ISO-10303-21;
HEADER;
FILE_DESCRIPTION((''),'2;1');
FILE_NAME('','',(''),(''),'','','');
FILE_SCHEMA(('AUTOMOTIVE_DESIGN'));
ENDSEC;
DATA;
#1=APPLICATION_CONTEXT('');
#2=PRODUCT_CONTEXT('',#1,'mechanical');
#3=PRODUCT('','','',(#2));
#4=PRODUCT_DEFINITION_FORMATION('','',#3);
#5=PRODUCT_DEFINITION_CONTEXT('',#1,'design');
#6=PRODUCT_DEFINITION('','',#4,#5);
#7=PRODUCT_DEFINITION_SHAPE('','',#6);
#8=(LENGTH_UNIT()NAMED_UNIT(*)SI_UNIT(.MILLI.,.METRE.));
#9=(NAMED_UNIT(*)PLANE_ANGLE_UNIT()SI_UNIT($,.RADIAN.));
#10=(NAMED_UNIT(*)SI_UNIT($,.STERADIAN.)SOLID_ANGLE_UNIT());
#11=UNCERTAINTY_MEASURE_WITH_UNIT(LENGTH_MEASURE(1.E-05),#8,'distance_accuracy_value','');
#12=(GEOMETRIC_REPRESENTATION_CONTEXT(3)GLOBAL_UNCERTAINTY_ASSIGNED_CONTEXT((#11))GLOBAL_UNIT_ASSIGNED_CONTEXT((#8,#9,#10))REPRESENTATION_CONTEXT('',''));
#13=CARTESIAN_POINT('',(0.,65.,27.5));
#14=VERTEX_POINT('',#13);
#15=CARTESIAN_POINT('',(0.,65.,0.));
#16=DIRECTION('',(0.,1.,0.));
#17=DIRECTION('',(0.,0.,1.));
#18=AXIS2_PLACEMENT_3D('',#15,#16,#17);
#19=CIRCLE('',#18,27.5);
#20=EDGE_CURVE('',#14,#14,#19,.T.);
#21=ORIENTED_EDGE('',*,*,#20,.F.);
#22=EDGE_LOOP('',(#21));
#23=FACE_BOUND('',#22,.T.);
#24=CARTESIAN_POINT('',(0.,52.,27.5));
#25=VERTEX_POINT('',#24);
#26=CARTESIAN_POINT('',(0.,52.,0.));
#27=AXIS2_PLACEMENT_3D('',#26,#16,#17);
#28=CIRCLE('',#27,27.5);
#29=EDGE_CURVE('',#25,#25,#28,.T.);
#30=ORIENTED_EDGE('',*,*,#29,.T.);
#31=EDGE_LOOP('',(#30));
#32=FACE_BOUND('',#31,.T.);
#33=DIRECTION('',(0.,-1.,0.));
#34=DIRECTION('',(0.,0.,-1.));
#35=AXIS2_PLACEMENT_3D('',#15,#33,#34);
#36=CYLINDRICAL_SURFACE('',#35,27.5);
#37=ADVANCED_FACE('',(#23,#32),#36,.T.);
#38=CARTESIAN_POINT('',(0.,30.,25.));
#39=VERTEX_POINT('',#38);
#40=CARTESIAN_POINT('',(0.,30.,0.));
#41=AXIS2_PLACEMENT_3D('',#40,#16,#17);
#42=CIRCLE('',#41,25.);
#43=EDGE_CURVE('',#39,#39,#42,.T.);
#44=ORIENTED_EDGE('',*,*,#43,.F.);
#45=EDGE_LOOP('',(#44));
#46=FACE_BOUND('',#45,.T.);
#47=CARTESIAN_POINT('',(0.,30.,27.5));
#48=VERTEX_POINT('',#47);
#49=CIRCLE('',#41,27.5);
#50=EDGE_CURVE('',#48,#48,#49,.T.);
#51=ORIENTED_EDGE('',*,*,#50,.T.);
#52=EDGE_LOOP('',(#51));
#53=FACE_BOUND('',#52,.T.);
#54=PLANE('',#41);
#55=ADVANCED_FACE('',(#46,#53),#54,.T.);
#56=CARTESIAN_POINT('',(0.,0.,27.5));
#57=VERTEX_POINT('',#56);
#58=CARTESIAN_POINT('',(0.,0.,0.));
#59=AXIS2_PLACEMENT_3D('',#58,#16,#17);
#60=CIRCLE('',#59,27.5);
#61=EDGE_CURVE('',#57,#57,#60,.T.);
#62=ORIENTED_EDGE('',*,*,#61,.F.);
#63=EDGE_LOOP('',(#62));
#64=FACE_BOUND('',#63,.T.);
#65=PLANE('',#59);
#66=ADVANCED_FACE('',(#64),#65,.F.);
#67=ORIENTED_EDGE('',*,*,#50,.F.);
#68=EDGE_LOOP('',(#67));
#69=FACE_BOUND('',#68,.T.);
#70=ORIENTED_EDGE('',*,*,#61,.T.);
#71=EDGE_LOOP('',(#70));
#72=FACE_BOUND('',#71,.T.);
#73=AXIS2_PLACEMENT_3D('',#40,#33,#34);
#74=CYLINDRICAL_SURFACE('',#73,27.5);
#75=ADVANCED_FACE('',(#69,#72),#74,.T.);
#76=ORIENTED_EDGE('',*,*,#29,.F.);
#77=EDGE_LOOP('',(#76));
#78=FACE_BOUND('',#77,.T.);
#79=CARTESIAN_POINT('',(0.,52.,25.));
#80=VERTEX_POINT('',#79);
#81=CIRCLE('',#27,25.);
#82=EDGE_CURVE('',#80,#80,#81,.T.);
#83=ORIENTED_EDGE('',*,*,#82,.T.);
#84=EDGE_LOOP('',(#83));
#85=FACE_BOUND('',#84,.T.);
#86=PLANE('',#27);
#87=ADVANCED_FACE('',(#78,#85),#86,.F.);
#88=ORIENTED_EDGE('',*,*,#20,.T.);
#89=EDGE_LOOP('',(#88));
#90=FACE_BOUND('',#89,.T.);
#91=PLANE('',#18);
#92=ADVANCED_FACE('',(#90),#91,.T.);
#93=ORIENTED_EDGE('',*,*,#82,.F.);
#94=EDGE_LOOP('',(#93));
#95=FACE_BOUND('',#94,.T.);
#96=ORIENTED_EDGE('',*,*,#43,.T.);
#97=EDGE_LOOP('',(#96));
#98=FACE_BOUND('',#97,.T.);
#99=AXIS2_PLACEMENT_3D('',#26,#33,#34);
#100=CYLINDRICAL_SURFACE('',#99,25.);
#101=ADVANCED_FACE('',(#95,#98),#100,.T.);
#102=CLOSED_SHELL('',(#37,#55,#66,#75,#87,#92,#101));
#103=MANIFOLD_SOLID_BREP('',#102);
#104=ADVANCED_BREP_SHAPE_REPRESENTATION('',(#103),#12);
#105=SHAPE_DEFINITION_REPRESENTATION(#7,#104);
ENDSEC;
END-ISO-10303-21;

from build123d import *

# Parameters (mm, degrees)
SKETCH_1_R      = 27.5
EXTRUDE_1_DEPTH = 30
SKETCH_2_R      = 25
EXTRUDE_2_DEPTH = 22
SKETCH_3_R      = 27.5
EXTRUDE_3_DEPTH = 13


with BuildPart() as part:
    # Эскиз1 → Бобышка-Вытянуть1 (new body)
    with BuildSketch(Plane(origin=(0, 0, 0), x_dir=(1, 0, 0), z_dir=(0, 1, 0))):
        with Locations(Location((0, 0, 0), (0, 0, 270))):
            Circle(SKETCH_1_R)
    extrude(amount=EXTRUDE_1_DEPTH)

    # Эскиз2 → Бобышка-Вытянуть2 (add)
    with BuildSketch(Plane(origin=(0, 30, 0), x_dir=(1, 0, 0), z_dir=(0, 1, 0))):
        with Locations(Location((0, 0, 0), (0, 0, 270))):
            Circle(SKETCH_2_R)
    extrude(amount=EXTRUDE_2_DEPTH)

    # Эскиз3 → Бобышка-Вытянуть3 (add)
    with BuildSketch(Plane(origin=(0, 52, 0), x_dir=(1, 0, 0), z_dir=(0, 1, 0))):
        with Locations(Location((0, 0, 0), (0, 0, 270))):
            Circle(SKETCH_3_R)
    extrude(amount=EXTRUDE_3_DEPTH)


solid = part.part
